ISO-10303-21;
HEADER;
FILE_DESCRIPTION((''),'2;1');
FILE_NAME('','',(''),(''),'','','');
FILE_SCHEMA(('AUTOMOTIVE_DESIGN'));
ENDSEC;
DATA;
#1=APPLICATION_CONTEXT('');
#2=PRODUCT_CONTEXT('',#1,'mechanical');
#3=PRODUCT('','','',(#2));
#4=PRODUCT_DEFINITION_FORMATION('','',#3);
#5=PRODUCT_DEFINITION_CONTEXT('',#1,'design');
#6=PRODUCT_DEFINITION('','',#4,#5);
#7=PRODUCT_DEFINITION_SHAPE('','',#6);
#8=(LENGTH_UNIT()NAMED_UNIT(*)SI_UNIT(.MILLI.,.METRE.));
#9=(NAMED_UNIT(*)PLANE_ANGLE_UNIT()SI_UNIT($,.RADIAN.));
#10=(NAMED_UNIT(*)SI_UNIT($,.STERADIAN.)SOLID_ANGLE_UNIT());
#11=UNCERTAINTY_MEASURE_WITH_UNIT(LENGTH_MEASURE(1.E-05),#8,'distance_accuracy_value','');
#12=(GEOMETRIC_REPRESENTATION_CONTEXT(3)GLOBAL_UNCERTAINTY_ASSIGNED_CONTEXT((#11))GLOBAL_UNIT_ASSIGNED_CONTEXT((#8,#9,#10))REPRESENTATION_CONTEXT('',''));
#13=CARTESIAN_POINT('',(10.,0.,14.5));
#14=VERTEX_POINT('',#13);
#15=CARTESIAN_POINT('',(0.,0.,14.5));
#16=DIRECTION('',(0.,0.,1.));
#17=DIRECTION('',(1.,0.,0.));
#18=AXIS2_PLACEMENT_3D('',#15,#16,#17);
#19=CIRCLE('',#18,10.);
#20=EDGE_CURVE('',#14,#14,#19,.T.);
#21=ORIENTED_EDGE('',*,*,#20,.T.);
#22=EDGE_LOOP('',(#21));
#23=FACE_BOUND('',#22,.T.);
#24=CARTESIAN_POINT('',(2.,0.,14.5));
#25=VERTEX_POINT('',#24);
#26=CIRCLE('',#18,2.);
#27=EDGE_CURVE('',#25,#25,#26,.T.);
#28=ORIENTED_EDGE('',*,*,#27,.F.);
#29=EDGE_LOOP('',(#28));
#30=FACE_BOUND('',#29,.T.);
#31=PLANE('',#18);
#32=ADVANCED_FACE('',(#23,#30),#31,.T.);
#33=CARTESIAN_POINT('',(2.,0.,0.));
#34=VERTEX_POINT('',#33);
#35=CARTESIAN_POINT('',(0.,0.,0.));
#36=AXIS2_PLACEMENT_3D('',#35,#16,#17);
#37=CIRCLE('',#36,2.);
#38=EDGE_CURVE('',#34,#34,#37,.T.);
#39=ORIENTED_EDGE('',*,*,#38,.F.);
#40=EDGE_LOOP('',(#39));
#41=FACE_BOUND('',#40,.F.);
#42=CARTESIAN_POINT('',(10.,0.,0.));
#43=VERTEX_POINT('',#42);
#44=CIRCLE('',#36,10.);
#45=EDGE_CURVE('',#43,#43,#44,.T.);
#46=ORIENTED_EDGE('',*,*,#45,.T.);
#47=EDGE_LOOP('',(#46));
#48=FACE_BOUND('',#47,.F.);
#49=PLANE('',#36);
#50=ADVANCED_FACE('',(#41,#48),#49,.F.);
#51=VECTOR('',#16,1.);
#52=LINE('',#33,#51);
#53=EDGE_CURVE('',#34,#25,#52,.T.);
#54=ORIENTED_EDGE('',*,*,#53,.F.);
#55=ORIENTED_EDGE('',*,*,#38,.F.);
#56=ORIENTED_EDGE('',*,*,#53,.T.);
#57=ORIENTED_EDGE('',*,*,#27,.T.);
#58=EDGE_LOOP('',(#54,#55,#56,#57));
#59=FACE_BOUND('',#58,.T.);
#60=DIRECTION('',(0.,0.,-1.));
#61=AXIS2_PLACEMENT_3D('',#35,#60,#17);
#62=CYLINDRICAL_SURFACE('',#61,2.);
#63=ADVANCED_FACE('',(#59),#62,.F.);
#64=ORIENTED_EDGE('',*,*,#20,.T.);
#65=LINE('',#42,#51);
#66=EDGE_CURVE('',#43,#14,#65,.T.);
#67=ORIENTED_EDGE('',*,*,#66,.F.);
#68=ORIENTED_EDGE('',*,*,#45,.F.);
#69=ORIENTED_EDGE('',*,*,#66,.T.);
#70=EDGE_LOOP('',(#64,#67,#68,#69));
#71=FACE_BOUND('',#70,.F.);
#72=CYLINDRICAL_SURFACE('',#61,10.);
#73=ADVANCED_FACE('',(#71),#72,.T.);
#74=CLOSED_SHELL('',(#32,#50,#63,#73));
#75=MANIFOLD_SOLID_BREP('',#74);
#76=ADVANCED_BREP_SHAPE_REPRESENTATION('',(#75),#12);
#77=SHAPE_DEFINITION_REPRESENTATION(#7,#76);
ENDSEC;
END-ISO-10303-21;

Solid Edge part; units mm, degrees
sketch "Sketch1" plane through (0, 0, 0) normal (0, 0, 1) x (1, 0, 0)
  circle A0 centre (0, 0) radius 10
  circle A1 centre (0, 0) radius 2
extrude "Protrusion1" add sketch "Sketch1" along normal blind 14.5
